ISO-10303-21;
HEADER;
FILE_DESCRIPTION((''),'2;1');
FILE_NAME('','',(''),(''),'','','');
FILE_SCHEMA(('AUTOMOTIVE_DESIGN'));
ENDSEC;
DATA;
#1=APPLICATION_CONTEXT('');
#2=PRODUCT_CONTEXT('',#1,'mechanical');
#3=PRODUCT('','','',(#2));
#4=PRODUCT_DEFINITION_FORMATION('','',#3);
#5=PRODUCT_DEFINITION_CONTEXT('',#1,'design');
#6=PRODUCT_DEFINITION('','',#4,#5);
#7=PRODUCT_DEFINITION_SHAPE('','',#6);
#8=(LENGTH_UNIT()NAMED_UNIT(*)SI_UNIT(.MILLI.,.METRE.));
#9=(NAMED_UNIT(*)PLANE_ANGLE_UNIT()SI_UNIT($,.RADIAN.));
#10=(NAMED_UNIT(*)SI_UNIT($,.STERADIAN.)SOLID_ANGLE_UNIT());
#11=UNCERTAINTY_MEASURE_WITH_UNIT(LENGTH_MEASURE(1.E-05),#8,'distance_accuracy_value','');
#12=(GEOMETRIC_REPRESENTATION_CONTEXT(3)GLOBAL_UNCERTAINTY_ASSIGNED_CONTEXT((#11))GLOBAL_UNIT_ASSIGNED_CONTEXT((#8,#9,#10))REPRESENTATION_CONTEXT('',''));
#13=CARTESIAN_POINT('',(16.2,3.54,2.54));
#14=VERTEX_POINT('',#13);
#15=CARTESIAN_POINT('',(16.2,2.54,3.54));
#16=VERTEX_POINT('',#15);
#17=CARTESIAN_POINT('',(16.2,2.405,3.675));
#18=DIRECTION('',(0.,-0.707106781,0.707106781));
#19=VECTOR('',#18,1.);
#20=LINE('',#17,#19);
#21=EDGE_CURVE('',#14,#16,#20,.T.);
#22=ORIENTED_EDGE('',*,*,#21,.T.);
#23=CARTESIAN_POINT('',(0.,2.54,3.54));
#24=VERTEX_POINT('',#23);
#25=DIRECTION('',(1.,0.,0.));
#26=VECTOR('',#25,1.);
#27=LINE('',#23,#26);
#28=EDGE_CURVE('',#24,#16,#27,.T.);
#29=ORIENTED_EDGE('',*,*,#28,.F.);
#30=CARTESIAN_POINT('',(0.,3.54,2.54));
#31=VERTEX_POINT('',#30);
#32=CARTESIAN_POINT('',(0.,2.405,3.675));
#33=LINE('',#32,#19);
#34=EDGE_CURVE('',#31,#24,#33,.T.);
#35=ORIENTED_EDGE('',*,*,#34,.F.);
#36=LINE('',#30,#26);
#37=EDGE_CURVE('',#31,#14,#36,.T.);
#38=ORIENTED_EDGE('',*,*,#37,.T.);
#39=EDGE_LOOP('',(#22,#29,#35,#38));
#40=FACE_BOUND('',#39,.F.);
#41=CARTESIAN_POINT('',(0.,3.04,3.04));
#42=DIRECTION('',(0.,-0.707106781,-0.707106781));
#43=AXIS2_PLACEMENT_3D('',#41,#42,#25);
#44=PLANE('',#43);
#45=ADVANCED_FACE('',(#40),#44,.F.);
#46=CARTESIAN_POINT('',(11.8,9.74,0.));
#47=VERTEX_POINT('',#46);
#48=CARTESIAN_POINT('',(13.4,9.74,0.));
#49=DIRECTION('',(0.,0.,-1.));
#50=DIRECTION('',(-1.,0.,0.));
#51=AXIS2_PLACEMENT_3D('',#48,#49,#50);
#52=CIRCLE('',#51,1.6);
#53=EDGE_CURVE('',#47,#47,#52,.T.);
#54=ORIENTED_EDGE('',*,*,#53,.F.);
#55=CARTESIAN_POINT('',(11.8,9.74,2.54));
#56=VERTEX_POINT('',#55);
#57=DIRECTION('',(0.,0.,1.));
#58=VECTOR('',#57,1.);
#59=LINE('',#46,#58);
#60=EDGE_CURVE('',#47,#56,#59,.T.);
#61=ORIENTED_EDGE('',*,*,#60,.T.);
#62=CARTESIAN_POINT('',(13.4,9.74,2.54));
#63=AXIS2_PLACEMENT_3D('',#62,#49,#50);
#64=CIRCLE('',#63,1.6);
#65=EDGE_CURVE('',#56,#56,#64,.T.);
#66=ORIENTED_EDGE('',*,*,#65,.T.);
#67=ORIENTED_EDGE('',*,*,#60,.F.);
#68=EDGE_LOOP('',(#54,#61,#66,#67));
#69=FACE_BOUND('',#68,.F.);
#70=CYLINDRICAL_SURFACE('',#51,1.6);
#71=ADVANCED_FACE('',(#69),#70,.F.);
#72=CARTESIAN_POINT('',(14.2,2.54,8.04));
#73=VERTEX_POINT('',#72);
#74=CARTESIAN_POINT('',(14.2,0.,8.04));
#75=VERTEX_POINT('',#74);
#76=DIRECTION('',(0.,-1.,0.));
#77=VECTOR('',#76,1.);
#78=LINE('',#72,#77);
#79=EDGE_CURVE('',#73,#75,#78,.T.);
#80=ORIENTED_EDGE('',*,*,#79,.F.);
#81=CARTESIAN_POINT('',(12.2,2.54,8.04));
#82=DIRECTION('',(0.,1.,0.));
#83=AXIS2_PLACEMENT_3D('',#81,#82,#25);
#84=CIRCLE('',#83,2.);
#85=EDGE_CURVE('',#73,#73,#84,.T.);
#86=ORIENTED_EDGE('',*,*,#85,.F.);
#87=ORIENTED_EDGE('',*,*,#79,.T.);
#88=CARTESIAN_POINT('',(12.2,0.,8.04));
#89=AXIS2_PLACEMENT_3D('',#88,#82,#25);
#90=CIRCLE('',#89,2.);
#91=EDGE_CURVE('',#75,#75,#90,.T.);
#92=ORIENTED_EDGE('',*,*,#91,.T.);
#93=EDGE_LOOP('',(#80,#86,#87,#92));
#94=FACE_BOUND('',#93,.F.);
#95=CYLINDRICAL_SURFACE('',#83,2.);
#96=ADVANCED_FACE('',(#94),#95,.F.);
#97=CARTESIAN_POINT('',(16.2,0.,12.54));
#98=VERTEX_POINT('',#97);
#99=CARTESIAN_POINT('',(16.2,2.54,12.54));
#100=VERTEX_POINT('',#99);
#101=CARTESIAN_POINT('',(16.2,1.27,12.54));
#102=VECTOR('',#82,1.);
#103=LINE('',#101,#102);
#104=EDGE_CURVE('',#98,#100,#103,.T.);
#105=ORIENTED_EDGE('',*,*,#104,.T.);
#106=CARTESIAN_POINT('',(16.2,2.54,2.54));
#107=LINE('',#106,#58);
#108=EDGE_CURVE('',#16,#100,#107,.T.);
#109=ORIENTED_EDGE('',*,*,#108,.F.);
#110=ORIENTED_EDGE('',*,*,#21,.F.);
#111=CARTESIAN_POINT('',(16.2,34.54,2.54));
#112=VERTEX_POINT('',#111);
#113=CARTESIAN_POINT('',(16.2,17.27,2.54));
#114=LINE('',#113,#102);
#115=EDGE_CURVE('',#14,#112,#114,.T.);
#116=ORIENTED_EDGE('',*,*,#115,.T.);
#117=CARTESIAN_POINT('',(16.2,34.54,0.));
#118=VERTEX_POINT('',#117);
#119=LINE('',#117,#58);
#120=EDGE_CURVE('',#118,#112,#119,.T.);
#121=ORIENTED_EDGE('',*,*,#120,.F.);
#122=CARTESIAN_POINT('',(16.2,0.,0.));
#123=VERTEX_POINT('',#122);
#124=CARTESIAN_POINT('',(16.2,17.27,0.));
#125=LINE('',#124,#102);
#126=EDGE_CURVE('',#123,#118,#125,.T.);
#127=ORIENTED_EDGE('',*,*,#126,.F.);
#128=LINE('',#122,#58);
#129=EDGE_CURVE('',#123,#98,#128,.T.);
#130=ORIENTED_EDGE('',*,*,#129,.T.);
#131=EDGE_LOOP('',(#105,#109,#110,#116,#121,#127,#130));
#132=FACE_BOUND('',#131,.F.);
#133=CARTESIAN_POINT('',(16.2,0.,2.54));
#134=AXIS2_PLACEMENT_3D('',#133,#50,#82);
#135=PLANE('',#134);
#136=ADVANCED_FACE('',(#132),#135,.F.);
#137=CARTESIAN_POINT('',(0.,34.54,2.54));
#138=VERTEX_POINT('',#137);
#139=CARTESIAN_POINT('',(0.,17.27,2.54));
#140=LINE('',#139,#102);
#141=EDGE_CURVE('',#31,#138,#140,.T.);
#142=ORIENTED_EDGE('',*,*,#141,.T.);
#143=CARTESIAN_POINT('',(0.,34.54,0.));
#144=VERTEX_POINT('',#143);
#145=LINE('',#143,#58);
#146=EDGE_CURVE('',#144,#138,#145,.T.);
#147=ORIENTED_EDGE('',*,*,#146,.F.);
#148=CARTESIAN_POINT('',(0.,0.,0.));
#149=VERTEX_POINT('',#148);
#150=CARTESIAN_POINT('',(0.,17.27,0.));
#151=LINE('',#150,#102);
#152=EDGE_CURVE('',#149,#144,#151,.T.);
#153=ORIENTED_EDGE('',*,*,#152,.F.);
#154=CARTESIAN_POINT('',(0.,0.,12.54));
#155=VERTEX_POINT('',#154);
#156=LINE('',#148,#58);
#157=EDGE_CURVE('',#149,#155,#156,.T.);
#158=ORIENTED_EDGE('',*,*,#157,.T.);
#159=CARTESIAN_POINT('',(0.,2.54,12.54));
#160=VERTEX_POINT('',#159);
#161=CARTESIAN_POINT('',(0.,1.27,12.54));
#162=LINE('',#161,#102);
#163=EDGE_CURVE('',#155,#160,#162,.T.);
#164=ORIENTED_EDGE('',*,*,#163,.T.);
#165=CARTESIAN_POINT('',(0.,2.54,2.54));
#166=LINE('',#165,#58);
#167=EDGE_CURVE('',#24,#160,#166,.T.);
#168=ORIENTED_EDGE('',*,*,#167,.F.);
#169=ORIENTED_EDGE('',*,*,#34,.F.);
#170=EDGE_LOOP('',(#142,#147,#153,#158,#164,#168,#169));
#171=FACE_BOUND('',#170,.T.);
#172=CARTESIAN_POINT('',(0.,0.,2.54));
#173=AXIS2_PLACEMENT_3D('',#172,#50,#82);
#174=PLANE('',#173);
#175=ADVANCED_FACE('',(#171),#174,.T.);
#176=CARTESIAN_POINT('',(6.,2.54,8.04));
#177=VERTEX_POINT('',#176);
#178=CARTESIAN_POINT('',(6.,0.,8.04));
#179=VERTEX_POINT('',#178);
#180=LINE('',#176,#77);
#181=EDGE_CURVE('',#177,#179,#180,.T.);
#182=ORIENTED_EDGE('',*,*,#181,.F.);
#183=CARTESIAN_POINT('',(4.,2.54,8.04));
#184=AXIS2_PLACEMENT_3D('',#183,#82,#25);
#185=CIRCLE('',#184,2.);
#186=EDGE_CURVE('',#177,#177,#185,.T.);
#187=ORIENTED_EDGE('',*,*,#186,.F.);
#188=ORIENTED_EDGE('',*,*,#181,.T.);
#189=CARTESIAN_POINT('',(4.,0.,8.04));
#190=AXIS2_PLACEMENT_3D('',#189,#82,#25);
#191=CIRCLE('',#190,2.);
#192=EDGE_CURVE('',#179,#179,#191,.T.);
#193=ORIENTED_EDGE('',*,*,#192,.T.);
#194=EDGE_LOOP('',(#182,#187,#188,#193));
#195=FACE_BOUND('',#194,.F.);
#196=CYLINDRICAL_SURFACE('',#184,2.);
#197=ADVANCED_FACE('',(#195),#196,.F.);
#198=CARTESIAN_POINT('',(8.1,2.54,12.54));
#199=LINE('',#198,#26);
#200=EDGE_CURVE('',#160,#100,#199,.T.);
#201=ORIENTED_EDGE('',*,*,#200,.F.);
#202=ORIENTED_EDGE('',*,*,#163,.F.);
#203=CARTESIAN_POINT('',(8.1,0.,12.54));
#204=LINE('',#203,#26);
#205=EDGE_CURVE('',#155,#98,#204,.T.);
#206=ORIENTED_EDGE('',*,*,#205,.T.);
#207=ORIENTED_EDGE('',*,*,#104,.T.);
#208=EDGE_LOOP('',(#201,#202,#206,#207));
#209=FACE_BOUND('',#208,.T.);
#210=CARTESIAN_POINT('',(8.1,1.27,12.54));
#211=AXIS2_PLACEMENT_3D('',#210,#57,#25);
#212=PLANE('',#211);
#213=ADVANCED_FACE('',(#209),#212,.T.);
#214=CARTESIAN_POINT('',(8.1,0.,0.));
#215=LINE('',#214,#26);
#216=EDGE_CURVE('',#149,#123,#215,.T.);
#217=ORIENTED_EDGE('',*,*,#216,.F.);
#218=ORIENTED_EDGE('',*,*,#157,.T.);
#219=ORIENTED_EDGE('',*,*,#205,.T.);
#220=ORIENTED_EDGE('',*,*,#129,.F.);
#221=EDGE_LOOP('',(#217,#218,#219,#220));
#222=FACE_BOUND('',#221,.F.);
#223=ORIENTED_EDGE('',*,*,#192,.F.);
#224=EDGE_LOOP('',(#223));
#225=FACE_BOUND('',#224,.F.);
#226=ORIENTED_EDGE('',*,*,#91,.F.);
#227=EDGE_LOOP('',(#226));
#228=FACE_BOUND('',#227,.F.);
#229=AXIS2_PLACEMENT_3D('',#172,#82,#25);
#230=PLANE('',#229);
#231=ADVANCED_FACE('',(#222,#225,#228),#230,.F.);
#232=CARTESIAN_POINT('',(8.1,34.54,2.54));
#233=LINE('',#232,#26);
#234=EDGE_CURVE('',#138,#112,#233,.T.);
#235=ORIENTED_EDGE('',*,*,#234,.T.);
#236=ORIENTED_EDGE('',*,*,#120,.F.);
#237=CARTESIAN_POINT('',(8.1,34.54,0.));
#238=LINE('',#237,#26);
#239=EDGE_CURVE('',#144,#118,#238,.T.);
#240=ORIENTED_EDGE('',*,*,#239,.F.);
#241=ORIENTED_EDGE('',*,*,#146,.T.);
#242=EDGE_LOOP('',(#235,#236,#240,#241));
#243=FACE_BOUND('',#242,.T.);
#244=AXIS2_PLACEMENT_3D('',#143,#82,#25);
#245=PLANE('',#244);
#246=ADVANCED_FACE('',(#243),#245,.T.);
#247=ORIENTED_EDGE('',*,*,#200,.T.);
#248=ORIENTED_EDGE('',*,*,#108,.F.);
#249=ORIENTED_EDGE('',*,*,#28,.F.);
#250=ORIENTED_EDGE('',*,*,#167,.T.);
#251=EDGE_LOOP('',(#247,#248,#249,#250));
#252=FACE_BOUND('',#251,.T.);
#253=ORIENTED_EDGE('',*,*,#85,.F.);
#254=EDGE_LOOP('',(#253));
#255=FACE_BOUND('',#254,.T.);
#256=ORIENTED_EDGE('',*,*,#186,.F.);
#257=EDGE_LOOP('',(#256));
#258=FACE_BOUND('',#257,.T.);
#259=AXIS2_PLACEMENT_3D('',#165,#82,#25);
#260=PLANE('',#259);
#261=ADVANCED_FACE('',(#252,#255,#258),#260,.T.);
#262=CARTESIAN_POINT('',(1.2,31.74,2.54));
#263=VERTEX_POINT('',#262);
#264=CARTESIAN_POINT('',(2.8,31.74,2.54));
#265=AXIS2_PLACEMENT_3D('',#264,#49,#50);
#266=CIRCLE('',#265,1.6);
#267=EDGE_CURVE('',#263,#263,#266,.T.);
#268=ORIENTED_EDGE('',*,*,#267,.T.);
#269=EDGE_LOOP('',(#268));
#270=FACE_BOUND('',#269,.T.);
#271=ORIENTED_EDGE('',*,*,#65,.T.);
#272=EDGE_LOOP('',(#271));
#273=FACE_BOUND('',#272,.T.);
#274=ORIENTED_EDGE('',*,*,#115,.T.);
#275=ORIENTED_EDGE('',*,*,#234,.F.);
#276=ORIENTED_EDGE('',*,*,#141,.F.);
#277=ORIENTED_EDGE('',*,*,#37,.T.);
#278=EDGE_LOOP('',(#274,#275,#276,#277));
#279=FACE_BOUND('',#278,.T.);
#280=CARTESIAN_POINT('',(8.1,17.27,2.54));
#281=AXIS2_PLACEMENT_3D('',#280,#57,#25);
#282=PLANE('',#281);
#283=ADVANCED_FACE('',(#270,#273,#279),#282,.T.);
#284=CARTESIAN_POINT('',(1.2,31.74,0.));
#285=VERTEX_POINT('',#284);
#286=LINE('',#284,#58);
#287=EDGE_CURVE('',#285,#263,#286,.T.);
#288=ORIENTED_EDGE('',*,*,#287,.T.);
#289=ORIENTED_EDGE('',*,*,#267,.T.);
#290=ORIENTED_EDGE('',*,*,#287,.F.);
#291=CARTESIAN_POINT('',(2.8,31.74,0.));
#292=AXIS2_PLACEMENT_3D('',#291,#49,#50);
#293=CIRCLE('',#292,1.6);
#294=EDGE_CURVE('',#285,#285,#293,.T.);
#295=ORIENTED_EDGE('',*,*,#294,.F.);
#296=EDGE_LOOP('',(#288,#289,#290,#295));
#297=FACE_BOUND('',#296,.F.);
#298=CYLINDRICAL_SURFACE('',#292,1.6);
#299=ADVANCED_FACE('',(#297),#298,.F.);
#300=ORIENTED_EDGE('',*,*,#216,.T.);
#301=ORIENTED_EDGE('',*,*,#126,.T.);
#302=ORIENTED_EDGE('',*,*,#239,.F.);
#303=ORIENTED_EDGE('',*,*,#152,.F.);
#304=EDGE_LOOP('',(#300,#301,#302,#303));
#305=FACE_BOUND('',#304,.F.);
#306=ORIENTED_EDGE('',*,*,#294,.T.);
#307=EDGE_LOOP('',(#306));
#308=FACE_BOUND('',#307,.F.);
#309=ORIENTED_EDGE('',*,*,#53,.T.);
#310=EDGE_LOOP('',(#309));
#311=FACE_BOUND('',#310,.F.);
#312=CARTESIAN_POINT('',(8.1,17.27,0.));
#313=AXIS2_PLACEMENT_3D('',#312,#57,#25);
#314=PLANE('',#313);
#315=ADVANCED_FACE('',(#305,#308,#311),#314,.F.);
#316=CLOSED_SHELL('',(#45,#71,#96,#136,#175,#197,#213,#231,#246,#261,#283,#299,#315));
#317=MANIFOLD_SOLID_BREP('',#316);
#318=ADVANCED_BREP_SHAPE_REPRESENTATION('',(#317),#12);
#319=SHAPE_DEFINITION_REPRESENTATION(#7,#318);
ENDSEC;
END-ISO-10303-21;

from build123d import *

# Parameters (mm, degrees)
SKETCH1_W           = 16.2
SKETCH1_H           = 34.54
BOSS_EXTRUDE1_DEPTH = 2.54
SKETCH2_W           = 16.2
SKETCH2_H           = 2.54
BOSS_EXTRUDE2_DEPTH = 10
CHAMFER1_SIZE       = 1
SKETCH4_R           = 1.6
CUT_EXTRUDE1_DEPTH  = 2.54
SKETCH5_R           = 2
CUT_EXTRUDE2_DEPTH  = 3.54


with BuildPart() as part:
    # Sketch1 → Boss-Extrude1 (new body)
    with BuildSketch(Plane.XY):
        with Locations((8.1, 17.27)):
            Rectangle(SKETCH1_W, SKETCH1_H)
    extrude(amount=BOSS_EXTRUDE1_DEPTH)

    # Sketch2 → Boss-Extrude2 (add)
    with BuildSketch(Plane.XY.offset(2.54)):
        with Locations((8.1, 1.27)):
            Rectangle(SKETCH2_W, SKETCH2_H)
    extrude(amount=BOSS_EXTRUDE2_DEPTH)

    # Chamfer1
    chamfer1_edges = [part.edges().sort_by_distance(p)[0] for p in [
        (8.1, 2.54, 2.54),
    ]]
    chamfer(chamfer1_edges, length=CHAMFER1_SIZE)

    # Sketch4 → Cut-Extrude1 (cut)
    with BuildSketch(Plane(origin=(0, 0, 0), x_dir=(-1, 0, 0), z_dir=(0, 0, -1))):
        with Locations((-13.4, 9.74)):
            Circle(SKETCH4_R)
        with Locations((-2.8, 31.74)):
            Circle(SKETCH4_R)
    extrude(amount=-CUT_EXTRUDE1_DEPTH, mode=Mode.SUBTRACT)

    # Sketch5 → Cut-Extrude2 (cut, through all)
    with BuildSketch(Plane(origin=(0, 2.54, 0), x_dir=(1, 0, 0), z_dir=(0, 1, 0))):
        with Locations((12.2, -8.04)):
            Circle(SKETCH5_R)
        with Locations((4, -8.04)):
            Circle(SKETCH5_R)
    extrude(amount=-CUT_EXTRUDE2_DEPTH, mode=Mode.SUBTRACT)


solid = part.part
